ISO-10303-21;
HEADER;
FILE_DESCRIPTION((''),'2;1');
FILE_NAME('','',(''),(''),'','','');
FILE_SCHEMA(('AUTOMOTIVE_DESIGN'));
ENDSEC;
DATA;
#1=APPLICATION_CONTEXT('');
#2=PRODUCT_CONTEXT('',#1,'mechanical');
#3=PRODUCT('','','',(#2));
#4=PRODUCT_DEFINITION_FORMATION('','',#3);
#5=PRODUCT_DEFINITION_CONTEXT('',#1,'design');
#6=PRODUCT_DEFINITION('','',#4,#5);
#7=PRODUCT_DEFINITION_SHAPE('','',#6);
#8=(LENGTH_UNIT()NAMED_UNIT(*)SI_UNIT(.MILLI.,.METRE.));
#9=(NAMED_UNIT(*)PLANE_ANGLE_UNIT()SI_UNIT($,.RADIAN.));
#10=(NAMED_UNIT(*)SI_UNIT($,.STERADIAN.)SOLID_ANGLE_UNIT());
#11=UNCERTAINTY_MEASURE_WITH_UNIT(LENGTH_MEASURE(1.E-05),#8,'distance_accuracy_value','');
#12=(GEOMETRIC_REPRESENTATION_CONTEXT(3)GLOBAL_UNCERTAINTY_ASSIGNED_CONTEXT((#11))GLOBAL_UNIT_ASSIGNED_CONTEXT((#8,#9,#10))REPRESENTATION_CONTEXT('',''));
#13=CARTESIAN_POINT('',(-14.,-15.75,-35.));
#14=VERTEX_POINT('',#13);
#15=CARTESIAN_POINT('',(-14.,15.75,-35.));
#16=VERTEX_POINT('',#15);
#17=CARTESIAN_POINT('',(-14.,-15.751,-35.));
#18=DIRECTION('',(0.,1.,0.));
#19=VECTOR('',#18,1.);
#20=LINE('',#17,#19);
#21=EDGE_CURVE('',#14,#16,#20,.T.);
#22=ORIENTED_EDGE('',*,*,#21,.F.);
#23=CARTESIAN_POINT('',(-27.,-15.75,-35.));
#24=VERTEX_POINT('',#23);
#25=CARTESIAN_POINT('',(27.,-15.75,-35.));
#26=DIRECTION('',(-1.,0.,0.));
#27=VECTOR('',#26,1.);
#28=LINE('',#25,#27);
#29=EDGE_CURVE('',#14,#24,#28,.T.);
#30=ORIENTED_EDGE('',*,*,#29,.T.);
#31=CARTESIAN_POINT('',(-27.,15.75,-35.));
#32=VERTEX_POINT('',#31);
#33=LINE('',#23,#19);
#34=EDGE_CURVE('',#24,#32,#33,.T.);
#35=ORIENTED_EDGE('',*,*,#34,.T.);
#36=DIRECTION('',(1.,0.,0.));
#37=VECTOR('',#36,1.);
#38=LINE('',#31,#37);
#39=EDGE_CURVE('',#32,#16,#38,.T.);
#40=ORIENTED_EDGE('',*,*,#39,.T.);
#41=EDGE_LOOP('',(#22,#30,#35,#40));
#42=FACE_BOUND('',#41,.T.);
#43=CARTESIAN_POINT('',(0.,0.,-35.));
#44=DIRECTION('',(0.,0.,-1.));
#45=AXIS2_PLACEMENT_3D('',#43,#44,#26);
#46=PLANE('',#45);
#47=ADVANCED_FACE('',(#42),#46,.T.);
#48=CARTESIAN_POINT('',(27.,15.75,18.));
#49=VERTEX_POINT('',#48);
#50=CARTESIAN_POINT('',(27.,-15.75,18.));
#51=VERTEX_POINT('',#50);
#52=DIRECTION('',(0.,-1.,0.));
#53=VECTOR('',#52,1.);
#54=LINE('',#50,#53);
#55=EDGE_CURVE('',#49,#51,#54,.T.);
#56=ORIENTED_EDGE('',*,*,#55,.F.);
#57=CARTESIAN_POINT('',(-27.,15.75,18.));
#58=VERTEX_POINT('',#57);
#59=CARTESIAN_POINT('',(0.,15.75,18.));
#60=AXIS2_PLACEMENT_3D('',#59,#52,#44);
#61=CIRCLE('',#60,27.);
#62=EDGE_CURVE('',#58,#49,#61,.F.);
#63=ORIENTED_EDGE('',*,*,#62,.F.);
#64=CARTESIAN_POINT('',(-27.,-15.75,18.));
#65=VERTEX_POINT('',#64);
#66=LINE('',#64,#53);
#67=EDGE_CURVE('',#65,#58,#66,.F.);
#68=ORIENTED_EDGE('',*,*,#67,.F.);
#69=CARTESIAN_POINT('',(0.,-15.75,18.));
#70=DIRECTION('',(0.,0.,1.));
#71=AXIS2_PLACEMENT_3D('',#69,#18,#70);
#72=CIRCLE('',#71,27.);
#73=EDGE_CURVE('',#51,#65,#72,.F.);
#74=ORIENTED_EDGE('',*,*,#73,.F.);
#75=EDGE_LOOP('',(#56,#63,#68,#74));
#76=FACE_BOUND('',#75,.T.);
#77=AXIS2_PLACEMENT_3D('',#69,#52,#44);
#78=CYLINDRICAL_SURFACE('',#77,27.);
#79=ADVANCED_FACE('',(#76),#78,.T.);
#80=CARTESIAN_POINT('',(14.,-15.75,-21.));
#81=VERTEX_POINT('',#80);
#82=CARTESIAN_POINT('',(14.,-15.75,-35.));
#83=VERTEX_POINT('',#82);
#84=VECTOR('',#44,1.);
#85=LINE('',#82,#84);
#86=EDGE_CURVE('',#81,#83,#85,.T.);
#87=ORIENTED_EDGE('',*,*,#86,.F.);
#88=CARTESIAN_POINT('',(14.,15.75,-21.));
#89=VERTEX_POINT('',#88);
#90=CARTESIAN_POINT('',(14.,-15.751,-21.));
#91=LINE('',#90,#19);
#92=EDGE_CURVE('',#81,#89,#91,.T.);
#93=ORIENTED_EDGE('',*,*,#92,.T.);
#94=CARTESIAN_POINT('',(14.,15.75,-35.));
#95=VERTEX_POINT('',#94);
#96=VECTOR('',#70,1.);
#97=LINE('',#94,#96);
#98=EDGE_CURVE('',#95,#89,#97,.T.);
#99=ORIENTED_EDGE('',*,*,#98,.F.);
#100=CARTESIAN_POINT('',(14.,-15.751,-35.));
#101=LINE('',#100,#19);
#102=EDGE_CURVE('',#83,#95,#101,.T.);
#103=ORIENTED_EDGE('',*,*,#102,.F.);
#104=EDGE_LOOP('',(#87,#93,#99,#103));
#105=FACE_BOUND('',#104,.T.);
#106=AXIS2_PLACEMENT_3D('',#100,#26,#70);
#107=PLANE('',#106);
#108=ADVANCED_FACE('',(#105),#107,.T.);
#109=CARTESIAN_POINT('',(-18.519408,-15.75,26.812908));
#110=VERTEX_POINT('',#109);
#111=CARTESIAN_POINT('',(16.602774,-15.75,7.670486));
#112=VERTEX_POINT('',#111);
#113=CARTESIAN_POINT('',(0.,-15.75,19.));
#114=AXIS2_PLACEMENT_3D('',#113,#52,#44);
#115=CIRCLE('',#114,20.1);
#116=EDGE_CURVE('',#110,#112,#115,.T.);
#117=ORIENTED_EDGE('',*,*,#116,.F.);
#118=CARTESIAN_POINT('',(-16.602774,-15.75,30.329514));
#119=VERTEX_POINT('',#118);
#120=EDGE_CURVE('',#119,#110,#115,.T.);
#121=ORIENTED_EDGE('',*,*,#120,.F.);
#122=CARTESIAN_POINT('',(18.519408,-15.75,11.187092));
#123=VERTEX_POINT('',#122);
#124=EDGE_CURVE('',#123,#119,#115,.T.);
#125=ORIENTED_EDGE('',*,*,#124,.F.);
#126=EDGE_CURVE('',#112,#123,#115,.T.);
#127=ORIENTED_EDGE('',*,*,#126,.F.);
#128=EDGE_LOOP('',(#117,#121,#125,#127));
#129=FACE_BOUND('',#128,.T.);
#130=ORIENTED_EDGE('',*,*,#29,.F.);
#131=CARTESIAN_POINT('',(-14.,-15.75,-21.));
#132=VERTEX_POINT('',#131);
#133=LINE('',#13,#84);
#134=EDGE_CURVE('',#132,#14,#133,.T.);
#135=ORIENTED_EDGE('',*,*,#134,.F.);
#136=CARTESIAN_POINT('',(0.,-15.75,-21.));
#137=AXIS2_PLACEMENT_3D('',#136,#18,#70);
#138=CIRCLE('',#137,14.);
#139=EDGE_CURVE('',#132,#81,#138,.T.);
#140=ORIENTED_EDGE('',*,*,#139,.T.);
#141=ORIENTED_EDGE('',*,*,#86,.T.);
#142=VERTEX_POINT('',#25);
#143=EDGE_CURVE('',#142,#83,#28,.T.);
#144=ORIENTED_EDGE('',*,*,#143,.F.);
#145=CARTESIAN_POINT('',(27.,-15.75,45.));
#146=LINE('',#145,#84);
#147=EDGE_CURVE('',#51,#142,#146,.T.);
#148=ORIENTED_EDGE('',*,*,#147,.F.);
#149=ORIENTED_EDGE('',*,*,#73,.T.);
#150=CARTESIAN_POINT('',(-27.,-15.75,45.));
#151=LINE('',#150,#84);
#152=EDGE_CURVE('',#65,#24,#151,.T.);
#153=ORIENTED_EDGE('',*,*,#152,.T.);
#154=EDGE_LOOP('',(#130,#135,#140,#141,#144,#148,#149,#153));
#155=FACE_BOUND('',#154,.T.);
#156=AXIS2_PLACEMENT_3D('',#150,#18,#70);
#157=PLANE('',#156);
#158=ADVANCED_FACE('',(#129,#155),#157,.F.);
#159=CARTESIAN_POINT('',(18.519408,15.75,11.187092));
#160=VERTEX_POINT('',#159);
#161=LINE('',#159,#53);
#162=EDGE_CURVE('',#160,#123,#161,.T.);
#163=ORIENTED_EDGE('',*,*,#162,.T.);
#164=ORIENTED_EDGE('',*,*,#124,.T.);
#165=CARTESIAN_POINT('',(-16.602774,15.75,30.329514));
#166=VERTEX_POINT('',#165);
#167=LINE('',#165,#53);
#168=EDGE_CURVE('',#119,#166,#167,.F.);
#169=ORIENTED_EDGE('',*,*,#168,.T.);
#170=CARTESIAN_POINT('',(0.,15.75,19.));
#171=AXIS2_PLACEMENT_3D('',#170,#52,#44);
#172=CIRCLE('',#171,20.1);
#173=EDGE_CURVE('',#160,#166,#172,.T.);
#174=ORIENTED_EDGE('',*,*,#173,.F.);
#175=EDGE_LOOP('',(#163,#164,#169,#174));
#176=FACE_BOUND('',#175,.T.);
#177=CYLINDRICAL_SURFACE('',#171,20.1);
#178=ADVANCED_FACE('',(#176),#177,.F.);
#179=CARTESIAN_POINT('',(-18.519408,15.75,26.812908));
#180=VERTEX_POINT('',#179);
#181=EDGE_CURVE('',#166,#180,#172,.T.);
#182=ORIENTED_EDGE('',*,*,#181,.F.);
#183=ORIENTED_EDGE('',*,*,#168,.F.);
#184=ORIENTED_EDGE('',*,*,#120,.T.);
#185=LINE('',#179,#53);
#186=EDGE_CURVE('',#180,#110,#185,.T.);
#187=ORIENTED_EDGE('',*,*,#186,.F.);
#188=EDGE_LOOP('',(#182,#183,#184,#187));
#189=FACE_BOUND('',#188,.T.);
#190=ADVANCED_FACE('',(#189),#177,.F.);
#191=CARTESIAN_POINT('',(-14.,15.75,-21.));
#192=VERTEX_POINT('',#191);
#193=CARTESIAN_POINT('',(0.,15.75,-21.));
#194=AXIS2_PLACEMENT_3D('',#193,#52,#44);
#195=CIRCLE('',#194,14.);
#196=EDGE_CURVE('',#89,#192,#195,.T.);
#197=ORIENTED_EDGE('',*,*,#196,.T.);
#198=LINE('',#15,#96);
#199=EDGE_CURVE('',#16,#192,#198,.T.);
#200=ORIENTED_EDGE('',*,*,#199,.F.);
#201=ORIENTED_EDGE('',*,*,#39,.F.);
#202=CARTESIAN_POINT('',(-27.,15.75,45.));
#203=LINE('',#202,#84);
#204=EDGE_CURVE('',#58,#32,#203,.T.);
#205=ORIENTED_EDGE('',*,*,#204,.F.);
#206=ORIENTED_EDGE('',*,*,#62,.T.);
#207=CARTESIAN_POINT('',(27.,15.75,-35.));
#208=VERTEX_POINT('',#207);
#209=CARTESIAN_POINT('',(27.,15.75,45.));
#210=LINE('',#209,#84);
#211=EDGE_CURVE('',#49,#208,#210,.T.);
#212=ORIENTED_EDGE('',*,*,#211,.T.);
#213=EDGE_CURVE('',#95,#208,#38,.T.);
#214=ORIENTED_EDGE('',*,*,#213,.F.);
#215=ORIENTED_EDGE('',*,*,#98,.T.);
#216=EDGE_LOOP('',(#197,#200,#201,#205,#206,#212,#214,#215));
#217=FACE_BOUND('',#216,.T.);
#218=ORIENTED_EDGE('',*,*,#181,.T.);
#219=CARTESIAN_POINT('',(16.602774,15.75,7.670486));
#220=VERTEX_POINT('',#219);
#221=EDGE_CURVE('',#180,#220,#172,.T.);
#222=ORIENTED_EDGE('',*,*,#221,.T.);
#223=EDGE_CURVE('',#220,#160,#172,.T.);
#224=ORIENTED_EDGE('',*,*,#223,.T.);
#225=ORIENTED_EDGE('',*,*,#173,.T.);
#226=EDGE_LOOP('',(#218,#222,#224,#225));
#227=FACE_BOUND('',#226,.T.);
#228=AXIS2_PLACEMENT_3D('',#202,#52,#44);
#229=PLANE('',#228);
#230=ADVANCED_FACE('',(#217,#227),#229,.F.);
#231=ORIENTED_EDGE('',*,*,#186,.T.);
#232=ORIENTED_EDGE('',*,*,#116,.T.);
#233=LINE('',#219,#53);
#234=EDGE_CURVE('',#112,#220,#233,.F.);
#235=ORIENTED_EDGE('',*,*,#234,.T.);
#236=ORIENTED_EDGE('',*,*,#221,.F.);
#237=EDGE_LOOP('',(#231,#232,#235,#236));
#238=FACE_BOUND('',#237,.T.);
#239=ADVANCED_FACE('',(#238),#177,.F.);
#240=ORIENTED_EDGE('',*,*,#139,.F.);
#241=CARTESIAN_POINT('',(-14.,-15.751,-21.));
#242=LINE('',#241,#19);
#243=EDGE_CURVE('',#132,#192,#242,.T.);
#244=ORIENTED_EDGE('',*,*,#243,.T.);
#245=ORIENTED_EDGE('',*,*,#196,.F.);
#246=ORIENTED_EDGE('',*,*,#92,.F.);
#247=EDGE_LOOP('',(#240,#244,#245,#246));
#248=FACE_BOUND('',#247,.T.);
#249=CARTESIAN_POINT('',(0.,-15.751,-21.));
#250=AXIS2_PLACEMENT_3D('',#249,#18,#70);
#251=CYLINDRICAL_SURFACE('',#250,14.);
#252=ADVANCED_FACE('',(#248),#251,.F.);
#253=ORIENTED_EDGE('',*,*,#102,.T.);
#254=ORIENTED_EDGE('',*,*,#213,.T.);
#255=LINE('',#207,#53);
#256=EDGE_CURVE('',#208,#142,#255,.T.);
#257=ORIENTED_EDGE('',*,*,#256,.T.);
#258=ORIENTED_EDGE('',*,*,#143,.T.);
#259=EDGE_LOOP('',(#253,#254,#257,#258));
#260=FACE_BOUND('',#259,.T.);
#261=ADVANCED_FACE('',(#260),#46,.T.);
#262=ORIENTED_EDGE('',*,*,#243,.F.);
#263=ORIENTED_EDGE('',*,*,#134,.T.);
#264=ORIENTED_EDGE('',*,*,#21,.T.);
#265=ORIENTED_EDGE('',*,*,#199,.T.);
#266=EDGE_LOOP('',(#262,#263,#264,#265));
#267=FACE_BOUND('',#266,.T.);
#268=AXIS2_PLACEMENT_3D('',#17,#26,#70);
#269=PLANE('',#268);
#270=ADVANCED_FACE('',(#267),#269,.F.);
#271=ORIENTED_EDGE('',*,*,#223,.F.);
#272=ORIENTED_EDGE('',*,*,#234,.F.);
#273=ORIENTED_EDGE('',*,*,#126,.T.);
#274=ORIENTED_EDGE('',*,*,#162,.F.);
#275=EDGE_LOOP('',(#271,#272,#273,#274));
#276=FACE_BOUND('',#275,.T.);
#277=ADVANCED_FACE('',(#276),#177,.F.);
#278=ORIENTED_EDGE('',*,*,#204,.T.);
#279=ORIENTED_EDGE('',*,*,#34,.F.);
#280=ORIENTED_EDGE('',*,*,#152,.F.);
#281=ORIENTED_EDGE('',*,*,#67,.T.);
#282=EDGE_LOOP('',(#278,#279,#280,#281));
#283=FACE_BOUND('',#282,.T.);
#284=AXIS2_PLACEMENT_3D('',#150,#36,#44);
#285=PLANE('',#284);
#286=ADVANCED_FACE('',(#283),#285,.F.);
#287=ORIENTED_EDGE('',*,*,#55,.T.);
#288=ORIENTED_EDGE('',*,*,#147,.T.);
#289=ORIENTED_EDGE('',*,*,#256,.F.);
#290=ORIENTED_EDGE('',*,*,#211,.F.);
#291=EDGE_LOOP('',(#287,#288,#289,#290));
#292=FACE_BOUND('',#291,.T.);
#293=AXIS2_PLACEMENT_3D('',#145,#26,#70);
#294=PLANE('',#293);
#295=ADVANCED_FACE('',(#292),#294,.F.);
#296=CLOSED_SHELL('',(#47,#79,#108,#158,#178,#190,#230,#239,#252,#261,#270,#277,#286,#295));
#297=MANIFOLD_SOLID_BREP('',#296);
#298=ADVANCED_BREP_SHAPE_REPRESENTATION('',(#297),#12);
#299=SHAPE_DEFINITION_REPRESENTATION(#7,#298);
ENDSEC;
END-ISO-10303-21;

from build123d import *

# Parameters (mm, degrees)
SZKIC1_W                    = 54
SZKIC1_H                    = 31.5
DODANIE_WYCI_GNI_CIE1_DEPTH = 45
SZKIC2_W                    = 54
SZKIC2_H                    = 31.5
DODANIE_WYCI_GNI_CIE2_DEPTH = 35
WYTNIJ_WYCI_GNI_CIE3_REACH  = 63.207
ZAOKR_GLENIE1_RADIUS        = 27
ZAOKR_GLENIE1_LENGTH        = 31.5
SZKIC9_R                    = 20.1
WYTNIJ_WYCI_GNI_CIE4_DEPTH  = 62.206617289


with BuildPart() as part:
    # Szkic1 → Dodanie-wyciągnięcie1 (new body)
    with BuildSketch(Plane.XY):
        Rectangle(SZKIC1_W, SZKIC1_H)
    extrude(amount=DODANIE_WYCI_GNI_CIE1_DEPTH)

    # Szkic2 → Dodanie-wyciągnięcie2 (add)
    with BuildSketch(Plane(origin=(0, 0, 0), x_dir=(-1, 0, 0), z_dir=(0, 0, -1))):
        Rectangle(SZKIC2_W, SZKIC2_H)
    extrude(amount=DODANIE_WYCI_GNI_CIE2_DEPTH)

    # Szkic8 → Wytnij-wyciągnięcie3 (cut, up to next)
    with BuildSketch(Plane(origin=(0, 15.75, 0), x_dir=(1, 0, 0), z_dir=(0, 1, 0)), mode=Mode.PRIVATE) as wytnij_wyci_gni_cie3_sk1:
        with BuildLine():
            Line((14, 35), (-14, 35))
            Line((-14, 35), (-14, 21))
            ThreePointArc((-14, 21), (0, 7), (14, 21))
            Line((14, 21), (14, 35))
        make_face()
    wytnij_wyci_gni_cie3_tool1 = extrude(wytnij_wyci_gni_cie3_sk1.sketch, amount=-WYTNIJ_WYCI_GNI_CIE3_REACH, mode=Mode.PRIVATE) & part.part
    add(wytnij_wyci_gni_cie3_tool1.solids().sort_by_distance((0, 15.75, -22.306898))[0], mode=Mode.SUBTRACT)

    # Zaokrąglenie1: full round fillet: the end face becomes a half cylinder, R = half its width
    zaokr_glenie1_face = Plane((0, 0, 45), x_dir=(0, -1, 0), z_dir=(0, 0, 1))  # on the end face: x along it, z out of the body
    zaokr_glenie1_slab = zaokr_glenie1_face.offset(-ZAOKR_GLENIE1_RADIUS / 2) * Box(ZAOKR_GLENIE1_LENGTH, 2 * ZAOKR_GLENIE1_RADIUS, ZAOKR_GLENIE1_RADIUS, mode=Mode.PRIVATE)  # the body's end, R deep
    zaokr_glenie1_round = Plane((0, 0, 18), x_dir=(0, 0, 1), z_dir=(0, -1, 0)) * Cylinder(ZAOKR_GLENIE1_RADIUS, ZAOKR_GLENIE1_LENGTH, mode=Mode.PRIVATE)  # its axis R under the face
    add(zaokr_glenie1_slab - zaokr_glenie1_round, mode=Mode.SUBTRACT)

    # Szkic9 → Wytnij-wyciągnięcie4 (cut, through all)
    with BuildSketch(Plane(origin=(0, -15.75, 0), x_dir=(-1, 0, 0), z_dir=(0, -1, 0))):
        with Locations(Location((0, -19, 0), (0, 0, 90))):
            Circle(SZKIC9_R)
    extrude(amount=-WYTNIJ_WYCI_GNI_CIE4_DEPTH, mode=Mode.SUBTRACT)


solid = part.part
